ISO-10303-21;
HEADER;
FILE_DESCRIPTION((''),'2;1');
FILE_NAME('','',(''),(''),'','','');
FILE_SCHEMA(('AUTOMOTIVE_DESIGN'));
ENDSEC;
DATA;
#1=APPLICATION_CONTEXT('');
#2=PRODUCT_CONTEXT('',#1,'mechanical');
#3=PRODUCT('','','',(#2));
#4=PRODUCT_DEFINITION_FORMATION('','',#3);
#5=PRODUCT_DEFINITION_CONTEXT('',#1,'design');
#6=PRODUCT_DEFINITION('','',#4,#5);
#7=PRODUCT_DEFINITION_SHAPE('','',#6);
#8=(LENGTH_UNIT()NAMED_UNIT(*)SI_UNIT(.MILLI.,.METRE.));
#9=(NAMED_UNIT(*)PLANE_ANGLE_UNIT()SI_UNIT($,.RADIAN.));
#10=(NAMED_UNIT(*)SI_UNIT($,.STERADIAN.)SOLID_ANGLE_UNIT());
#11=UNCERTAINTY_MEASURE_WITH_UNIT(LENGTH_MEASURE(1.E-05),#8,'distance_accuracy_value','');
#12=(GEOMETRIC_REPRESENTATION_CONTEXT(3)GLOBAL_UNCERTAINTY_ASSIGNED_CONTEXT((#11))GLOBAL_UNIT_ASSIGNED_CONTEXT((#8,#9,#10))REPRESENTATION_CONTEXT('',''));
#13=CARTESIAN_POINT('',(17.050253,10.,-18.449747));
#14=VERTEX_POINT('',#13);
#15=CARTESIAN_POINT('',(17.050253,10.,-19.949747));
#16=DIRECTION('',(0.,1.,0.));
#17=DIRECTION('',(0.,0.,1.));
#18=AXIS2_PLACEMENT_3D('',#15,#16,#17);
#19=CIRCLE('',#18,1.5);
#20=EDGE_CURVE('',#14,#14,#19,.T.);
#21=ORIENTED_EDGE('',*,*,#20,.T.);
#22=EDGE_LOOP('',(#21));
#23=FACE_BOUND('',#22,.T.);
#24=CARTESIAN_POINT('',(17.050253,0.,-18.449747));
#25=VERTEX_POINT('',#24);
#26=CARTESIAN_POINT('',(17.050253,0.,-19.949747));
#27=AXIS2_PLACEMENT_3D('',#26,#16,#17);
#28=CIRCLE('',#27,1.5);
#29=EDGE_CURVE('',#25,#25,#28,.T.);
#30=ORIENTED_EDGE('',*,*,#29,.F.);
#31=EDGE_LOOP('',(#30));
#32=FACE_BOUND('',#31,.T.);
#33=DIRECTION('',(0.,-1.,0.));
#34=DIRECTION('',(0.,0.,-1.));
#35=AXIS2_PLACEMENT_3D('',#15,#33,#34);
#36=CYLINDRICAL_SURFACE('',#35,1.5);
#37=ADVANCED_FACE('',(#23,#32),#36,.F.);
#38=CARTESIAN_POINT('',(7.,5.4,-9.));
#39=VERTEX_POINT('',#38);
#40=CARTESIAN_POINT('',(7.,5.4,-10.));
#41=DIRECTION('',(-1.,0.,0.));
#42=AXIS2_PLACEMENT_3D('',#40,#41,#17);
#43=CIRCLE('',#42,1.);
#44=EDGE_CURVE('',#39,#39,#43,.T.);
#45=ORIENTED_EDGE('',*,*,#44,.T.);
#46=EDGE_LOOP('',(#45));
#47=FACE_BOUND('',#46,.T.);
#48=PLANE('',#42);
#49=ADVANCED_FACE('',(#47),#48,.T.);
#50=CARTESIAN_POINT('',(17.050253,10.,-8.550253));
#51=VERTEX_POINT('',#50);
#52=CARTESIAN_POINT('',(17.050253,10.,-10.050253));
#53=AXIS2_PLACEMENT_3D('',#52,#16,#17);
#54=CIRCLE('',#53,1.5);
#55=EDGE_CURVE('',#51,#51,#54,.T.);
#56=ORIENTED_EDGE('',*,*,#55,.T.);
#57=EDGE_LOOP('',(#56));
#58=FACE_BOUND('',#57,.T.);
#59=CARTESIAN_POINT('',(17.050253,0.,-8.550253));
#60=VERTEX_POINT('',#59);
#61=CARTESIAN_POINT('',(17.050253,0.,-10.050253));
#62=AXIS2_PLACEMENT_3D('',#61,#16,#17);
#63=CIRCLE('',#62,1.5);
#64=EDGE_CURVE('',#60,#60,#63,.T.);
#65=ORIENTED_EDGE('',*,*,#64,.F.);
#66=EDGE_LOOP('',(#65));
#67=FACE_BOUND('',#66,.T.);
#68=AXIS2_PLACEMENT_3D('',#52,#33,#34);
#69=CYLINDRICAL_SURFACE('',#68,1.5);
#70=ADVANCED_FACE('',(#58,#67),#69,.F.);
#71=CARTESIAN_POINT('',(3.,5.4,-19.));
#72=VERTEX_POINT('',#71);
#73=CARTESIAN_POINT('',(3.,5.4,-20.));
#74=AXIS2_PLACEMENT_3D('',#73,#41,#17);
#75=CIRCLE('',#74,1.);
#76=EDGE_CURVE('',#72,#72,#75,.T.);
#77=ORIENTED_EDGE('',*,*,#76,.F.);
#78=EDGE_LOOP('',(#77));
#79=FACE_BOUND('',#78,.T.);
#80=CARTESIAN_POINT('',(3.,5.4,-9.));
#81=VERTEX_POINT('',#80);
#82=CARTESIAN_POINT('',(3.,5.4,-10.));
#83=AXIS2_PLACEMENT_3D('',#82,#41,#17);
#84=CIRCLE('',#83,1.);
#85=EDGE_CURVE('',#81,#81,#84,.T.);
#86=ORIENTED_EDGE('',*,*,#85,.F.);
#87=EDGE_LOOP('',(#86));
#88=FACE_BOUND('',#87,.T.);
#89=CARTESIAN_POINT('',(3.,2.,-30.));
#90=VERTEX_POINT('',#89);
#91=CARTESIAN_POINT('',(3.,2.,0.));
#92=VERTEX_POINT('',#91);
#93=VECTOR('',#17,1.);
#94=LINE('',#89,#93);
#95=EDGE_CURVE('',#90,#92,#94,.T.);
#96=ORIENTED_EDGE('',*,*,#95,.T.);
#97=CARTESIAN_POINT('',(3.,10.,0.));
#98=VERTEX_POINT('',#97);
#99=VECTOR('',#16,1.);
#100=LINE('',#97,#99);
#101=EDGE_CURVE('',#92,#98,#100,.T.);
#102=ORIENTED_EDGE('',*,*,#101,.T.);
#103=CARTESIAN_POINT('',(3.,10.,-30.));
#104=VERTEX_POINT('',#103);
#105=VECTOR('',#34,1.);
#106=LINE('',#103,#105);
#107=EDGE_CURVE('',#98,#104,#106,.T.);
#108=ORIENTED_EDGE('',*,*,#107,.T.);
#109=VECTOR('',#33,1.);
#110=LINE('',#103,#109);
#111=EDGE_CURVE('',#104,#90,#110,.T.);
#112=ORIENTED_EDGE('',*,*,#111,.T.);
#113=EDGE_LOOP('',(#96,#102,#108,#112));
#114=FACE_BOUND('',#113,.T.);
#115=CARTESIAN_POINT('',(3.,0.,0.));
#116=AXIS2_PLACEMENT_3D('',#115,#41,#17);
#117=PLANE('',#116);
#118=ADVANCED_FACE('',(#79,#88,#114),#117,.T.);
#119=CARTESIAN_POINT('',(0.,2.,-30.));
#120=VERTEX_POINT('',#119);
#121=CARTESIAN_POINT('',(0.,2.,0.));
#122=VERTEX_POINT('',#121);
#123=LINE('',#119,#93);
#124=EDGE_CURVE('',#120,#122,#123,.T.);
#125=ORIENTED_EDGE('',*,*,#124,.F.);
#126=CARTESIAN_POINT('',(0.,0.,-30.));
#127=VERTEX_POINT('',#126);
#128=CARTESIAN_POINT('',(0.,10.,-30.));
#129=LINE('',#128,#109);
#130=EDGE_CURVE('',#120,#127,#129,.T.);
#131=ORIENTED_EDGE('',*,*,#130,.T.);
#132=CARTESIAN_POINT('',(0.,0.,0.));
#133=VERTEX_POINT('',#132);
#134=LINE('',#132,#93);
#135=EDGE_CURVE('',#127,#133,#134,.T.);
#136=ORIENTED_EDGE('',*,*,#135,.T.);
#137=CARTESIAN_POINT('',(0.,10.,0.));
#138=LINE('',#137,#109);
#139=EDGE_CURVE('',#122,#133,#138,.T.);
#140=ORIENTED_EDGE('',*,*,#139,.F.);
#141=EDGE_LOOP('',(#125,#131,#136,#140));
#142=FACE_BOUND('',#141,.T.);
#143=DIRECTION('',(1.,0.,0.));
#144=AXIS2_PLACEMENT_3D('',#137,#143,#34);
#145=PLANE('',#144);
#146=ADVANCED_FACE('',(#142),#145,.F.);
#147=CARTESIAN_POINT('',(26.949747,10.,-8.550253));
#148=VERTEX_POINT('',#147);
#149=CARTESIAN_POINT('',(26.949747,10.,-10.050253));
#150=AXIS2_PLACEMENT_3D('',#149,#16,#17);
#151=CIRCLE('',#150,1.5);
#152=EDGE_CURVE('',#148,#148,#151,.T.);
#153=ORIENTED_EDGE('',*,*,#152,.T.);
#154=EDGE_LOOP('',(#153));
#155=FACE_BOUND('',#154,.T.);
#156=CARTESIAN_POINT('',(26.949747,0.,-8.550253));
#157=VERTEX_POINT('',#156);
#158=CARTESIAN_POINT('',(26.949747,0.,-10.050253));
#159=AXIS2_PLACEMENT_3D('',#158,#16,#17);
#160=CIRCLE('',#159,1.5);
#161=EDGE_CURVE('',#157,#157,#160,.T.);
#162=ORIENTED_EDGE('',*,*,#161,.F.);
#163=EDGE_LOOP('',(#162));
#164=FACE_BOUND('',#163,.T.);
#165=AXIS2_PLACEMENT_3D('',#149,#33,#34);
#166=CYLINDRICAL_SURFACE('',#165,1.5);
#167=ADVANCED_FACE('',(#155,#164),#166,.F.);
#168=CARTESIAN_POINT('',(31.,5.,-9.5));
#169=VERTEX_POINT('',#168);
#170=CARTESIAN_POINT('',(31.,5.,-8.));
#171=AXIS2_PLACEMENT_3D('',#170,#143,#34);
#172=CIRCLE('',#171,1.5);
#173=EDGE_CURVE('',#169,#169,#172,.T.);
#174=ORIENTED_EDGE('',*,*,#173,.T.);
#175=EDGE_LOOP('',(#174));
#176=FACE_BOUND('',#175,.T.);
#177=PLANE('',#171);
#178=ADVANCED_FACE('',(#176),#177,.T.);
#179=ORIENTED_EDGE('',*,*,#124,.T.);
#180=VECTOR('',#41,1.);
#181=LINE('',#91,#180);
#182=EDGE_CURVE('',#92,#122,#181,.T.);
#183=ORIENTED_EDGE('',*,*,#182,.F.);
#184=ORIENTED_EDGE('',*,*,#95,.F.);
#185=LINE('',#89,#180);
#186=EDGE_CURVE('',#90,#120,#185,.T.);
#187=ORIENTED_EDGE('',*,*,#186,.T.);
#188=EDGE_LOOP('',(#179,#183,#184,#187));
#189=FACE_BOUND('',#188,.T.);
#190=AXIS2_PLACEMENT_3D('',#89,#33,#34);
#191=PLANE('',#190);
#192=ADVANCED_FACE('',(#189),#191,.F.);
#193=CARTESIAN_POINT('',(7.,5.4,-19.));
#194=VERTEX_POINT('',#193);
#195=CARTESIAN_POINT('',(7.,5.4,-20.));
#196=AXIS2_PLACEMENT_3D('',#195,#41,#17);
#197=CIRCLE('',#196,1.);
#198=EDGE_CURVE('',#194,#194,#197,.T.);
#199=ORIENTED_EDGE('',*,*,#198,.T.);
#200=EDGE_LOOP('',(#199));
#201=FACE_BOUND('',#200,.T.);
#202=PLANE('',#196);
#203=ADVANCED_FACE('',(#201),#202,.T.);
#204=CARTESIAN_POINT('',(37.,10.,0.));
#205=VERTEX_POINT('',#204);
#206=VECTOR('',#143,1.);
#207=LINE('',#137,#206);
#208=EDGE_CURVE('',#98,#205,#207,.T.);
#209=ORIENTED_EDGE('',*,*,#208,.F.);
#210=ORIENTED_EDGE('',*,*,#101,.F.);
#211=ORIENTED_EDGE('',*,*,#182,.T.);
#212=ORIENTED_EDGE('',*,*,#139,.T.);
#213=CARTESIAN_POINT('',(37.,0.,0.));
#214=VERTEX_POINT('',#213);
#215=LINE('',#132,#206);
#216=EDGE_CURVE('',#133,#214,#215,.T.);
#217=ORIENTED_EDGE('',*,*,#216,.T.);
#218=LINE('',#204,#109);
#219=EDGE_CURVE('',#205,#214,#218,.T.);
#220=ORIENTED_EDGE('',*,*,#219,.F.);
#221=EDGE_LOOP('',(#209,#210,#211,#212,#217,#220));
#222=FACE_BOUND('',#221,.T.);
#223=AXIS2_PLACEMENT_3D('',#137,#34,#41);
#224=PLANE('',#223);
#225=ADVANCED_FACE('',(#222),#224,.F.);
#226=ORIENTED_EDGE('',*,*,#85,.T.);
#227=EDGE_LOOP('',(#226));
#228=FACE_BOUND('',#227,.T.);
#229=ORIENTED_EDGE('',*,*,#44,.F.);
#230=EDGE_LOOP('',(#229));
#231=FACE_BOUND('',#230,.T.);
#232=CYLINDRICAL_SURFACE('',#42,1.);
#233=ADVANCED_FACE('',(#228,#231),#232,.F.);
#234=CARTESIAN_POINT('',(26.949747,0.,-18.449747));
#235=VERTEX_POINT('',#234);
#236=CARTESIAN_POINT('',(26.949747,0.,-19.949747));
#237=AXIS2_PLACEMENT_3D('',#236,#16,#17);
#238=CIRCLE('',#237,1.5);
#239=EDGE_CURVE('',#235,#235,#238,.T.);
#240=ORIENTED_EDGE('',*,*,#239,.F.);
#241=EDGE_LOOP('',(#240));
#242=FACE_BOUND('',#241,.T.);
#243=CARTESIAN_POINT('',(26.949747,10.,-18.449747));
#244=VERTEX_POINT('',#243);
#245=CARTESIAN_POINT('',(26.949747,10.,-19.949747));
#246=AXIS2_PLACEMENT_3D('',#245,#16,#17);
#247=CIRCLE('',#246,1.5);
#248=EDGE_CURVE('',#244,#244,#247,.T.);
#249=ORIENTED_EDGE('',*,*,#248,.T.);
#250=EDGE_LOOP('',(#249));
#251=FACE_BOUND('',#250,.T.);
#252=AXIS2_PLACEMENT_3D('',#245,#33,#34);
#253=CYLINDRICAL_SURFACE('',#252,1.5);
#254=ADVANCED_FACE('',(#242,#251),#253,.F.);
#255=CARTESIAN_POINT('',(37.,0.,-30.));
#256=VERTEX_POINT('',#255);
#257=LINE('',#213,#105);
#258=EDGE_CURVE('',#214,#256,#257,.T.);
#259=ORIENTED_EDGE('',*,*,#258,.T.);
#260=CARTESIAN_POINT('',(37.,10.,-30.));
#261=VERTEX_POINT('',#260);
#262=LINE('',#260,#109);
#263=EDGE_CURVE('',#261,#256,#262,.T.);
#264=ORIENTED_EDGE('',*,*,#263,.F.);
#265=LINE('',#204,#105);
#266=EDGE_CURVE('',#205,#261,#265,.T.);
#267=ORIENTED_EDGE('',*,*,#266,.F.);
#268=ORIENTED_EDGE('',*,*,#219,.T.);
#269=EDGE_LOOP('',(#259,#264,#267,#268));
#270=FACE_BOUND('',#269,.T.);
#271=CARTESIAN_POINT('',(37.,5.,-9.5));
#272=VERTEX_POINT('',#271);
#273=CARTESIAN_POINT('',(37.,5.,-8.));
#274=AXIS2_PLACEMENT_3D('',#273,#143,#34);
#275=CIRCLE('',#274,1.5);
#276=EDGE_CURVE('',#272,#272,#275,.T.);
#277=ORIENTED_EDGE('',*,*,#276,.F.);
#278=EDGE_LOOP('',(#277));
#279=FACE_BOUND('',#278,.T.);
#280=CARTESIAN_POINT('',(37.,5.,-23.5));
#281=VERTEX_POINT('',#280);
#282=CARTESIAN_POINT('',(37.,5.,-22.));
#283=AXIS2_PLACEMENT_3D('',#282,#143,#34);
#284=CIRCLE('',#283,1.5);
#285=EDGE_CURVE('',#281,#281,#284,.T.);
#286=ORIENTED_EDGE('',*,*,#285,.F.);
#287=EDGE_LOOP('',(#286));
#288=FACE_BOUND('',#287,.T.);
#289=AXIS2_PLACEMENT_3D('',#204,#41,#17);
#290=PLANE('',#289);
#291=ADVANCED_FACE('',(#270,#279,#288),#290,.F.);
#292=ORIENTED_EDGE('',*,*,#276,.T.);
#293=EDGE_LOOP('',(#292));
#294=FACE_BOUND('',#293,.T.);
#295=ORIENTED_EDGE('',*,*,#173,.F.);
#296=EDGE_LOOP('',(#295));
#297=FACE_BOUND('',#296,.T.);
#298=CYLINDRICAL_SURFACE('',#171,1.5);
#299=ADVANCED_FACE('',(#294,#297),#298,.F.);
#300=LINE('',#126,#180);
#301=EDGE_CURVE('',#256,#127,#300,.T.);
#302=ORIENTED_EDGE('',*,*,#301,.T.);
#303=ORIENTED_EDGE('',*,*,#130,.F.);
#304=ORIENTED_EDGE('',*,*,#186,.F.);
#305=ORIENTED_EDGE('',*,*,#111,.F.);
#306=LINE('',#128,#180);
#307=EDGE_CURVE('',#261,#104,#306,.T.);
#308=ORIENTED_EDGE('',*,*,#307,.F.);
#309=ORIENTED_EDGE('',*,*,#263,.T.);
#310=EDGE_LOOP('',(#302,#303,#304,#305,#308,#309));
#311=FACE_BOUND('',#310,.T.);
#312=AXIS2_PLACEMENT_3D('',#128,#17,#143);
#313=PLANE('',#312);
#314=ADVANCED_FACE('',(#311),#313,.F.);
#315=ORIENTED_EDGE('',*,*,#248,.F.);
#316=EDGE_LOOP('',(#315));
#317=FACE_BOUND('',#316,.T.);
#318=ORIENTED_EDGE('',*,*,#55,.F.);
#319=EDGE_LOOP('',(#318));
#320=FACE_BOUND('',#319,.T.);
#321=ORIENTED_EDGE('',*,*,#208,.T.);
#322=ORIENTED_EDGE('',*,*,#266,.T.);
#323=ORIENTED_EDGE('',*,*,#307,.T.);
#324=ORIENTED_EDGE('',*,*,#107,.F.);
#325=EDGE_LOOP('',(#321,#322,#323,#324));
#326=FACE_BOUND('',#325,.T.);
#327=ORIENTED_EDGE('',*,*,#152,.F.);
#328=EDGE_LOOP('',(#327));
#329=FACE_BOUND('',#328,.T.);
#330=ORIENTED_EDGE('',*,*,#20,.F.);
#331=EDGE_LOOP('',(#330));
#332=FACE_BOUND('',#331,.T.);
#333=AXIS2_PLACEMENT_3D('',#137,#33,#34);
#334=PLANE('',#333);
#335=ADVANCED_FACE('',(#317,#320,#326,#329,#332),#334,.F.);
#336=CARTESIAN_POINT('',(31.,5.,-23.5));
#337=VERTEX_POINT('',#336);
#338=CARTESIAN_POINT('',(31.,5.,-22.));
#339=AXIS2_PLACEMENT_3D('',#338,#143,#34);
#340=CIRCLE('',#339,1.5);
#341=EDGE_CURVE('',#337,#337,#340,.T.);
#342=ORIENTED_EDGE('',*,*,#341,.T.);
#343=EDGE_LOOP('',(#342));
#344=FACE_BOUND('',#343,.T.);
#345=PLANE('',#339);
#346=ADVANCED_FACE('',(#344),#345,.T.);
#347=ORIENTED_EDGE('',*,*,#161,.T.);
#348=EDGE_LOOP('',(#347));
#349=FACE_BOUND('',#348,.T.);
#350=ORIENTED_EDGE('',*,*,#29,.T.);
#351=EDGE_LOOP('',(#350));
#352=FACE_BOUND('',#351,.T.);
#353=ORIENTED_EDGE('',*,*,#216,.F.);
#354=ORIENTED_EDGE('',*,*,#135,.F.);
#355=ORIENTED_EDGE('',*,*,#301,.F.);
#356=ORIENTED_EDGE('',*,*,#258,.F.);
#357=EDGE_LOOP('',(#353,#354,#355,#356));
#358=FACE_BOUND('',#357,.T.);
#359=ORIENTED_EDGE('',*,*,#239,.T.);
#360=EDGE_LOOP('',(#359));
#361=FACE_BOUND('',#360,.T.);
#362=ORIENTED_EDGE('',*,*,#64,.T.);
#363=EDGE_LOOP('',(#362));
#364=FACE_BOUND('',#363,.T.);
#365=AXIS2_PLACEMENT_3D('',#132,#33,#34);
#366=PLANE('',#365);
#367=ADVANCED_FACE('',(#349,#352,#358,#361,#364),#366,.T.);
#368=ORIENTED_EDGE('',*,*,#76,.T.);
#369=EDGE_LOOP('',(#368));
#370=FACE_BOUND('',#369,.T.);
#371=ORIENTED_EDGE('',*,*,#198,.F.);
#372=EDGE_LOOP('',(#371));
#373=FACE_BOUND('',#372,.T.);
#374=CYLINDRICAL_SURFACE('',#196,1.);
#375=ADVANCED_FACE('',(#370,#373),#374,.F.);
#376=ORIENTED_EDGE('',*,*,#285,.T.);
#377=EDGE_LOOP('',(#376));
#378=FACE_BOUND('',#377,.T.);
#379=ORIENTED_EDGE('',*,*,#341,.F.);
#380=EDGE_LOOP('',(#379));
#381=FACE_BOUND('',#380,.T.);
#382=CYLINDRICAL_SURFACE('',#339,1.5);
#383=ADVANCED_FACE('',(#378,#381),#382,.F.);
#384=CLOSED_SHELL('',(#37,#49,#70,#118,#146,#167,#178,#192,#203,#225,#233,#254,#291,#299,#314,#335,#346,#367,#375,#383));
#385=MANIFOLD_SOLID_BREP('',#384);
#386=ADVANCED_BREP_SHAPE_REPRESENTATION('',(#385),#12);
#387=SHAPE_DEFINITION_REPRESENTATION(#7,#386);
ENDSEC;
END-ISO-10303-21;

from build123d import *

# Parameters (mm, degrees)
SKETCH_1_W          = 37
SKETCH_1_H          = 30
SKETCH_1_R          = 1.5
EXTRUDE_1_DEPTH     = 10
SKETCH_2_R          = 1.5
CUT_EXTRUDE_1_DEPTH = 6
SKETCH_3_W          = 30
SKETCH_3_H          = 8
CUT_EXTRUDE_2_DEPTH = 3
SKETCH_4_R          = 1
CUT_EXTRUDE_3_DEPTH = 7


with BuildPart() as part:
    # Эскиз1 → Бобышка-Вытянуть1 (new body)
    with BuildSketch(Plane(origin=(0, 0, 0), x_dir=(1, 0, 0), z_dir=(0, 1, 0))):
        with Locations((18.5, 15)):
            Rectangle(SKETCH_1_W, SKETCH_1_H)
        with Locations(Location((26.949747468, 19.949747468, 0), (0, 0, 270))):
            Circle(SKETCH_1_R, mode=Mode.SUBTRACT)
        with Locations(Location((17.050252532, 19.949747468, 0), (0, 0, 270))):
            Circle(SKETCH_1_R, mode=Mode.SUBTRACT)
        with Locations(Location((26.949747468, 10.050252532, 0), (0, 0, 270))):
            Circle(SKETCH_1_R, mode=Mode.SUBTRACT)
        with Locations(Location((17.050252532, 10.050252532, 0), (0, 0, 270))):
            Circle(SKETCH_1_R, mode=Mode.SUBTRACT)
    extrude(amount=EXTRUDE_1_DEPTH)

    # Эскиз2 → Вырез-Вытянуть1 (cut)
    with BuildSketch(Plane(origin=(37, 0, 0), x_dir=(0, 0, -1), z_dir=(1, 0, 0))):
        with Locations((8, 5)):
            Circle(SKETCH_2_R)
        with Locations((22, 5)):
            Circle(SKETCH_2_R)
    extrude(amount=-CUT_EXTRUDE_1_DEPTH, mode=Mode.SUBTRACT)

    # Эскиз3 → Вырез-Вытянуть2 (cut)
    with BuildSketch(Plane.ZY):
        with Locations((-15, 6)):
            Rectangle(SKETCH_3_W, SKETCH_3_H)
    extrude(amount=-CUT_EXTRUDE_2_DEPTH, mode=Mode.SUBTRACT)

    # Эскиз4 → Вырез-Вытянуть3 (cut)
    with BuildSketch(Plane.ZY):
        with Locations((-20, 5.4)):
            Circle(SKETCH_4_R)
        with Locations((-10, 5.4)):
            Circle(SKETCH_4_R)
    extrude(amount=-CUT_EXTRUDE_3_DEPTH, mode=Mode.SUBTRACT)


solid = part.part
